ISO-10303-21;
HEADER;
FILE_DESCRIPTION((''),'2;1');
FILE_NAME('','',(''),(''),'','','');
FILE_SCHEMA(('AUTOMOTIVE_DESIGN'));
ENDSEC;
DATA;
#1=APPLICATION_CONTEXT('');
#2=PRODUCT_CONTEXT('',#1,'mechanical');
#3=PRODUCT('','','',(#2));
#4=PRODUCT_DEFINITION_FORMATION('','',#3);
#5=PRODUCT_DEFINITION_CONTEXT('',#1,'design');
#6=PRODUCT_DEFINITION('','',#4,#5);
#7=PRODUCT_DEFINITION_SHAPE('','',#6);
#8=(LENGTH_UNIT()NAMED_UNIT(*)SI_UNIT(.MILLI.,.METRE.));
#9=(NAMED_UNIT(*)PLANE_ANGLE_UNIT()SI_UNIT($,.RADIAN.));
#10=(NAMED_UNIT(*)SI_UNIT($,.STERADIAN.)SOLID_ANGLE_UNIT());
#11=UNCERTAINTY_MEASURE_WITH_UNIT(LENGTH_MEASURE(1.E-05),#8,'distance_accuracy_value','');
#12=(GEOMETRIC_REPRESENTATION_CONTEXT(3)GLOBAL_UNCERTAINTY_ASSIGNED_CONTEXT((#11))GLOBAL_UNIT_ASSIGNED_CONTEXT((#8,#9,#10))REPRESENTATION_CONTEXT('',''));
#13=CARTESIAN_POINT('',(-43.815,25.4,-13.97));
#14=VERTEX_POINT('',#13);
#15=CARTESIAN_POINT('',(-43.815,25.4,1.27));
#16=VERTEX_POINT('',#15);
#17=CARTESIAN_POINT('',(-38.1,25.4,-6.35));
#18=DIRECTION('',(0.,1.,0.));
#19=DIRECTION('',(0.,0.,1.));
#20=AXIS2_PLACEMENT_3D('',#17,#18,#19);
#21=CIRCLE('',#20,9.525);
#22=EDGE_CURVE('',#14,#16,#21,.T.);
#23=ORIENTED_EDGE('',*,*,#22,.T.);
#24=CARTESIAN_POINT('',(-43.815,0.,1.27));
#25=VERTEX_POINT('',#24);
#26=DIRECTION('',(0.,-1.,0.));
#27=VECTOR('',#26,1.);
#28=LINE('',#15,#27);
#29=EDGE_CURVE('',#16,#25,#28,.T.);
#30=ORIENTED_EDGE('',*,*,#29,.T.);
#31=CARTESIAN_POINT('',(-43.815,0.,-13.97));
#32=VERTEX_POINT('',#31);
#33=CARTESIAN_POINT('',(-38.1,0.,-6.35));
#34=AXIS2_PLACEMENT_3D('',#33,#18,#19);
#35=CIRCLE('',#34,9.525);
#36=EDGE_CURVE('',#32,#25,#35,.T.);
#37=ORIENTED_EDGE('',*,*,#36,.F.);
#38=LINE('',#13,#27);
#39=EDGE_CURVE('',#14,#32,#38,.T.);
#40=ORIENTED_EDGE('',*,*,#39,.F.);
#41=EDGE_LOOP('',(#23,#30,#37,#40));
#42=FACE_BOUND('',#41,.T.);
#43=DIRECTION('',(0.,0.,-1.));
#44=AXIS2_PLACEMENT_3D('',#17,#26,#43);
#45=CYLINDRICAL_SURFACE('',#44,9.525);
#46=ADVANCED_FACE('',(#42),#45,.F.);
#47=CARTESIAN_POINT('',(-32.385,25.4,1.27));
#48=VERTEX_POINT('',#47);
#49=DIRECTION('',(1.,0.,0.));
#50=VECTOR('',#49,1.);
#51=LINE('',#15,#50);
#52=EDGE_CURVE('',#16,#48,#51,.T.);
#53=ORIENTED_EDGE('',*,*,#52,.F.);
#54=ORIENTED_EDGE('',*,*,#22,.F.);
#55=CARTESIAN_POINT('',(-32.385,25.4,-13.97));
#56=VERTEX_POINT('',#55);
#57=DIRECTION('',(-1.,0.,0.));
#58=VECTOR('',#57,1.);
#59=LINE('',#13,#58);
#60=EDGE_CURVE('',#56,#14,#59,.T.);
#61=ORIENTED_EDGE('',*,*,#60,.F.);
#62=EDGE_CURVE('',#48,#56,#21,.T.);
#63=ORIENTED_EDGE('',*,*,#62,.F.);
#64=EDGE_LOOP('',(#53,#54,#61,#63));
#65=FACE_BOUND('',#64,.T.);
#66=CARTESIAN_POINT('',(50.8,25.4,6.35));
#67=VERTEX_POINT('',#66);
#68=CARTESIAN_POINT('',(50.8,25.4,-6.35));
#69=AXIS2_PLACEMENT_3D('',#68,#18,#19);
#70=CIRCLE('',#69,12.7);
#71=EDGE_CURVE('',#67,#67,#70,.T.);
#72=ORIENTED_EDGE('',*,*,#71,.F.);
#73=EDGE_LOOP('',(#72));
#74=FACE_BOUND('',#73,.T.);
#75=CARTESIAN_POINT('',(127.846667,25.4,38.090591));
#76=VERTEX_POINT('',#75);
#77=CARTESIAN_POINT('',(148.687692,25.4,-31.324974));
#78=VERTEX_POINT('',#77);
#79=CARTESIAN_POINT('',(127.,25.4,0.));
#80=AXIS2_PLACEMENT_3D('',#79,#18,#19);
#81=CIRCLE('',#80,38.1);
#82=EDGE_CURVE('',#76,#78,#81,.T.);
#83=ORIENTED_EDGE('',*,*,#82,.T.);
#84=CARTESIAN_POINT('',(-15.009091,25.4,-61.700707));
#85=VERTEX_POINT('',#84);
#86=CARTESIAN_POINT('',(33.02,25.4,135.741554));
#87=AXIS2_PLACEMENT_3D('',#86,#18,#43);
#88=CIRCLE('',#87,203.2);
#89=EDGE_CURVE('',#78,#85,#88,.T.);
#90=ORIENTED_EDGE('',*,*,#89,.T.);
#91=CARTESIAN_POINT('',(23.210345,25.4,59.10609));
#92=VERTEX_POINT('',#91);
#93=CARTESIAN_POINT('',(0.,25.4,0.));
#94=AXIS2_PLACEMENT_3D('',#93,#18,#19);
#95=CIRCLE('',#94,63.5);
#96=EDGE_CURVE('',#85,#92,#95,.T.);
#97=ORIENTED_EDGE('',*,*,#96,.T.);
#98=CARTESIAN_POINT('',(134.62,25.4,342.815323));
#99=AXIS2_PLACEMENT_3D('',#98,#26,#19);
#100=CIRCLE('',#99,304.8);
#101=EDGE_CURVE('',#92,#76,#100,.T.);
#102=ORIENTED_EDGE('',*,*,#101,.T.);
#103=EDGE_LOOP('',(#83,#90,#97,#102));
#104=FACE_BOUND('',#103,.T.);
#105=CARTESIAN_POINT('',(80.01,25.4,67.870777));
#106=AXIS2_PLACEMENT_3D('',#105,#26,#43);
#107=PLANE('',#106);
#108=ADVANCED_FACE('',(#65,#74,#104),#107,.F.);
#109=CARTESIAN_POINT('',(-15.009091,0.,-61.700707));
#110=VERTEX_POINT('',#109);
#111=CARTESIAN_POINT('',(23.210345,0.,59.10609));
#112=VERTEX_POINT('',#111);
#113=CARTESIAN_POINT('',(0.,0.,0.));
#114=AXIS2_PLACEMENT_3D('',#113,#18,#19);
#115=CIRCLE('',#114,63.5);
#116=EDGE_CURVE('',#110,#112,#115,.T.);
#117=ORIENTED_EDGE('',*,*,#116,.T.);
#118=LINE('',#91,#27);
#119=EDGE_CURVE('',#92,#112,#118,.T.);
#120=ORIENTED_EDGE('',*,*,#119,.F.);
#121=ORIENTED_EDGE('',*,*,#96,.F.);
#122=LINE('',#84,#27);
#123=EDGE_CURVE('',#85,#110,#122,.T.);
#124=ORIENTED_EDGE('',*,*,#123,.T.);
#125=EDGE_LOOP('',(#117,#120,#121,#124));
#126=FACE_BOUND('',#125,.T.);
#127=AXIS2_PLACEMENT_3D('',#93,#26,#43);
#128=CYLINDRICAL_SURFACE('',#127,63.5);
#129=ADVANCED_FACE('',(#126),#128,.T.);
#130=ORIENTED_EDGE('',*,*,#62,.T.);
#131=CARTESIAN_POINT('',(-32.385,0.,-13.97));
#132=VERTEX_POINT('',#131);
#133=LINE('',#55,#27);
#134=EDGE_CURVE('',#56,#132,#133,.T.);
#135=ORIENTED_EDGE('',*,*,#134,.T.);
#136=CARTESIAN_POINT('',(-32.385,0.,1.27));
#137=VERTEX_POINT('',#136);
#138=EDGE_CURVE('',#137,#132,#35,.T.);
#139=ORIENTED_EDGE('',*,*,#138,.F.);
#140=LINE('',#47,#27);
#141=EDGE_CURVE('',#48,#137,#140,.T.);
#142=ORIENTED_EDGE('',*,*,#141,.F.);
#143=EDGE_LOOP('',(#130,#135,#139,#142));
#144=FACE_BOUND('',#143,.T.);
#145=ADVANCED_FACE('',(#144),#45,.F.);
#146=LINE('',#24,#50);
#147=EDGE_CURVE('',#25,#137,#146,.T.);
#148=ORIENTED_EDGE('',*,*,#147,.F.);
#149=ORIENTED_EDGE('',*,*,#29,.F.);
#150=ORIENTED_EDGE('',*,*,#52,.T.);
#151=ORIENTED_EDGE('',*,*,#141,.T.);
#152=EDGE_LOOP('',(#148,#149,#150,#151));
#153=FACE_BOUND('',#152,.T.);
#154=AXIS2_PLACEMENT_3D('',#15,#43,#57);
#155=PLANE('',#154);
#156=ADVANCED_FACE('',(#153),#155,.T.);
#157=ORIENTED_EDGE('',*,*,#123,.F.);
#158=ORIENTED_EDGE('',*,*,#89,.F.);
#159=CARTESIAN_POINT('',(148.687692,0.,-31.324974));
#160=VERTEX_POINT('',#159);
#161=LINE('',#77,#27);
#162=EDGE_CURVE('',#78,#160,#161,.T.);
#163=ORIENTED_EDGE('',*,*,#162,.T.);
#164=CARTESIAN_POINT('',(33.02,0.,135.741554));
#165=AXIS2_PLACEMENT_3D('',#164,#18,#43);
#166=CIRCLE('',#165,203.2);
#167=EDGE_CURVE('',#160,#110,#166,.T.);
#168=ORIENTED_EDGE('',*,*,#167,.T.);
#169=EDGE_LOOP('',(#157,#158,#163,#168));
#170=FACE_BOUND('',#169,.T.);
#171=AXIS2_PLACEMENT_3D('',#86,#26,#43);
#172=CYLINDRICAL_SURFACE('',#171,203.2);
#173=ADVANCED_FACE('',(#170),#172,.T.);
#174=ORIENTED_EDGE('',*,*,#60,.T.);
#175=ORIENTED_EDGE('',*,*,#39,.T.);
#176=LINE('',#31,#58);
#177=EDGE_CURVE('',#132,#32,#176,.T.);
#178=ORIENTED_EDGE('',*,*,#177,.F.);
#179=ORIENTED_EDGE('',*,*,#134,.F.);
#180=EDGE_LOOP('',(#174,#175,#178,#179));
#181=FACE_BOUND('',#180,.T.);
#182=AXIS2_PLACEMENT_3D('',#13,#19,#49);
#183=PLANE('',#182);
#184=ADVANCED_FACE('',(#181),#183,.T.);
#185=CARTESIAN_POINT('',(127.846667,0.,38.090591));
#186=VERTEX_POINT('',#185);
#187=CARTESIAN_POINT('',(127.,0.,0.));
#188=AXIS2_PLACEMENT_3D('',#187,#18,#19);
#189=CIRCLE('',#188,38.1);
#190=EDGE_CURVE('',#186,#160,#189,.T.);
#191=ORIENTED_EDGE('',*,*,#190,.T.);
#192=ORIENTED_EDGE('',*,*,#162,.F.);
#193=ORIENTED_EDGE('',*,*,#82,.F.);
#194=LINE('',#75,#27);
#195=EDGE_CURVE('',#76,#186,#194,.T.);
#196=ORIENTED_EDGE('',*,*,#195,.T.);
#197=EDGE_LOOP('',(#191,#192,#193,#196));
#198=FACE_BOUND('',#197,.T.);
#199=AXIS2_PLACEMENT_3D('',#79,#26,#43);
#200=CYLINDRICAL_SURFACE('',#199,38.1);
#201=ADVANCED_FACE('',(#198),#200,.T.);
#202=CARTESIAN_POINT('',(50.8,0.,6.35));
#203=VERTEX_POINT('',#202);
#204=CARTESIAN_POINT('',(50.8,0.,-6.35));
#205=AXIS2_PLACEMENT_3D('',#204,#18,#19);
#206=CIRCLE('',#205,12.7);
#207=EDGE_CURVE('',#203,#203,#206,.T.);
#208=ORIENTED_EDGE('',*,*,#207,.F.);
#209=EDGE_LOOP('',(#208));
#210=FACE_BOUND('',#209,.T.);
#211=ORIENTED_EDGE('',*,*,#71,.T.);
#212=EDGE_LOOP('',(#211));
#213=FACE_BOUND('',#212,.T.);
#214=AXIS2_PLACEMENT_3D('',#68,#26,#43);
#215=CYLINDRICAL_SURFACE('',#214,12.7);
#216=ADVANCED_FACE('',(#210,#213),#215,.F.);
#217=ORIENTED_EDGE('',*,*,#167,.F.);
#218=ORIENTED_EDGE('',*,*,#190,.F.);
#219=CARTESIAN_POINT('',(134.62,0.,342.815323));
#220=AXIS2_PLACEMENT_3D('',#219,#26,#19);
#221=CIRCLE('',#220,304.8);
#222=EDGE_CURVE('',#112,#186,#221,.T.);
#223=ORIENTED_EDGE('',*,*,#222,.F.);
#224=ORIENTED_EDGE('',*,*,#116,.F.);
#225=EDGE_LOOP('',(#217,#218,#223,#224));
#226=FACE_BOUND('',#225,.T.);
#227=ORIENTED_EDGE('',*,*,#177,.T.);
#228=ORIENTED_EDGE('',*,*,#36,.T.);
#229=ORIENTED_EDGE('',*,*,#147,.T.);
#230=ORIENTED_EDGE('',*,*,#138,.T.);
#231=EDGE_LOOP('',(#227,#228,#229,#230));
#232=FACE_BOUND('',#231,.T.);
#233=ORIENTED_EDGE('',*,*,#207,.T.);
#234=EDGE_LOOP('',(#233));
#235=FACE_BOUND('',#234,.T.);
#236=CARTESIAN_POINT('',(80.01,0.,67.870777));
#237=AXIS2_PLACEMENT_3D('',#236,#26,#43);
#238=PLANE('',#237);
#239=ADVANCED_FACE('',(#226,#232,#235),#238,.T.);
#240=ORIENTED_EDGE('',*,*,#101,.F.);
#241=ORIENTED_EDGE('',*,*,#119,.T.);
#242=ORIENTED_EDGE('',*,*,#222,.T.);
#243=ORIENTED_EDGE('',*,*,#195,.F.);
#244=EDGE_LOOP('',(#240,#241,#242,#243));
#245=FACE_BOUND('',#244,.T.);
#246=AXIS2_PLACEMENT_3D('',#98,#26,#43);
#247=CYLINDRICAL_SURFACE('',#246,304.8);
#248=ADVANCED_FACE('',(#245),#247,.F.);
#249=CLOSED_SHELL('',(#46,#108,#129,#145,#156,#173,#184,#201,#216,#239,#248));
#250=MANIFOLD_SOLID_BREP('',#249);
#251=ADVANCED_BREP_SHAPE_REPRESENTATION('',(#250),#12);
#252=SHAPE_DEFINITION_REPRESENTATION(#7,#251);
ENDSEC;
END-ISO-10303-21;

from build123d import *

# Parameters (mm, degrees)
SKETCH1_R      = 12.7
EXTRUDE1_DEPTH = 25.4


with BuildPart() as part:
    # Sketch1 → Extrude1 (new body)
    with BuildSketch(Plane(origin=(0, 0, 0), x_dir=(1, 0, 0), z_dir=(0, 1, 0))):
        with BuildLine():
            ThreePointArc((-15.009090909, 61.700706561), (-60.542428713, -19.15370266), (23.210344828, -59.106090151))
            ThreePointArc((23.210344828, -59.106090151), (74.601523764, -43.982890719), (127.846666667, -38.090591431))
            ThreePointArc((127.846666667, -38.090591431), (163.49081416, -10.955842364), (148.687692308, 31.3249741))
            ThreePointArc((148.687692308, 31.3249741), (70.093122075, 64.047893785), (-15.009090909, 61.700706561))
        make_face()
        with Locations(Location((50.8, 6.35, 0), (0, 0, 270))):
            Circle(SKETCH1_R, mode=Mode.SUBTRACT)
        with BuildLine():
            Line((-43.815, 13.97), (-32.385, 13.97))
            ThreePointArc((-32.385, 13.97), (-28.575, 6.35), (-32.385, -1.27))
            Line((-32.385, -1.27), (-43.815, -1.27))
            ThreePointArc((-43.815, -1.27), (-47.625, 6.35), (-43.815, 13.97))
        make_face(mode=Mode.SUBTRACT)
    extrude(amount=EXTRUDE1_DEPTH)


solid = part.part
